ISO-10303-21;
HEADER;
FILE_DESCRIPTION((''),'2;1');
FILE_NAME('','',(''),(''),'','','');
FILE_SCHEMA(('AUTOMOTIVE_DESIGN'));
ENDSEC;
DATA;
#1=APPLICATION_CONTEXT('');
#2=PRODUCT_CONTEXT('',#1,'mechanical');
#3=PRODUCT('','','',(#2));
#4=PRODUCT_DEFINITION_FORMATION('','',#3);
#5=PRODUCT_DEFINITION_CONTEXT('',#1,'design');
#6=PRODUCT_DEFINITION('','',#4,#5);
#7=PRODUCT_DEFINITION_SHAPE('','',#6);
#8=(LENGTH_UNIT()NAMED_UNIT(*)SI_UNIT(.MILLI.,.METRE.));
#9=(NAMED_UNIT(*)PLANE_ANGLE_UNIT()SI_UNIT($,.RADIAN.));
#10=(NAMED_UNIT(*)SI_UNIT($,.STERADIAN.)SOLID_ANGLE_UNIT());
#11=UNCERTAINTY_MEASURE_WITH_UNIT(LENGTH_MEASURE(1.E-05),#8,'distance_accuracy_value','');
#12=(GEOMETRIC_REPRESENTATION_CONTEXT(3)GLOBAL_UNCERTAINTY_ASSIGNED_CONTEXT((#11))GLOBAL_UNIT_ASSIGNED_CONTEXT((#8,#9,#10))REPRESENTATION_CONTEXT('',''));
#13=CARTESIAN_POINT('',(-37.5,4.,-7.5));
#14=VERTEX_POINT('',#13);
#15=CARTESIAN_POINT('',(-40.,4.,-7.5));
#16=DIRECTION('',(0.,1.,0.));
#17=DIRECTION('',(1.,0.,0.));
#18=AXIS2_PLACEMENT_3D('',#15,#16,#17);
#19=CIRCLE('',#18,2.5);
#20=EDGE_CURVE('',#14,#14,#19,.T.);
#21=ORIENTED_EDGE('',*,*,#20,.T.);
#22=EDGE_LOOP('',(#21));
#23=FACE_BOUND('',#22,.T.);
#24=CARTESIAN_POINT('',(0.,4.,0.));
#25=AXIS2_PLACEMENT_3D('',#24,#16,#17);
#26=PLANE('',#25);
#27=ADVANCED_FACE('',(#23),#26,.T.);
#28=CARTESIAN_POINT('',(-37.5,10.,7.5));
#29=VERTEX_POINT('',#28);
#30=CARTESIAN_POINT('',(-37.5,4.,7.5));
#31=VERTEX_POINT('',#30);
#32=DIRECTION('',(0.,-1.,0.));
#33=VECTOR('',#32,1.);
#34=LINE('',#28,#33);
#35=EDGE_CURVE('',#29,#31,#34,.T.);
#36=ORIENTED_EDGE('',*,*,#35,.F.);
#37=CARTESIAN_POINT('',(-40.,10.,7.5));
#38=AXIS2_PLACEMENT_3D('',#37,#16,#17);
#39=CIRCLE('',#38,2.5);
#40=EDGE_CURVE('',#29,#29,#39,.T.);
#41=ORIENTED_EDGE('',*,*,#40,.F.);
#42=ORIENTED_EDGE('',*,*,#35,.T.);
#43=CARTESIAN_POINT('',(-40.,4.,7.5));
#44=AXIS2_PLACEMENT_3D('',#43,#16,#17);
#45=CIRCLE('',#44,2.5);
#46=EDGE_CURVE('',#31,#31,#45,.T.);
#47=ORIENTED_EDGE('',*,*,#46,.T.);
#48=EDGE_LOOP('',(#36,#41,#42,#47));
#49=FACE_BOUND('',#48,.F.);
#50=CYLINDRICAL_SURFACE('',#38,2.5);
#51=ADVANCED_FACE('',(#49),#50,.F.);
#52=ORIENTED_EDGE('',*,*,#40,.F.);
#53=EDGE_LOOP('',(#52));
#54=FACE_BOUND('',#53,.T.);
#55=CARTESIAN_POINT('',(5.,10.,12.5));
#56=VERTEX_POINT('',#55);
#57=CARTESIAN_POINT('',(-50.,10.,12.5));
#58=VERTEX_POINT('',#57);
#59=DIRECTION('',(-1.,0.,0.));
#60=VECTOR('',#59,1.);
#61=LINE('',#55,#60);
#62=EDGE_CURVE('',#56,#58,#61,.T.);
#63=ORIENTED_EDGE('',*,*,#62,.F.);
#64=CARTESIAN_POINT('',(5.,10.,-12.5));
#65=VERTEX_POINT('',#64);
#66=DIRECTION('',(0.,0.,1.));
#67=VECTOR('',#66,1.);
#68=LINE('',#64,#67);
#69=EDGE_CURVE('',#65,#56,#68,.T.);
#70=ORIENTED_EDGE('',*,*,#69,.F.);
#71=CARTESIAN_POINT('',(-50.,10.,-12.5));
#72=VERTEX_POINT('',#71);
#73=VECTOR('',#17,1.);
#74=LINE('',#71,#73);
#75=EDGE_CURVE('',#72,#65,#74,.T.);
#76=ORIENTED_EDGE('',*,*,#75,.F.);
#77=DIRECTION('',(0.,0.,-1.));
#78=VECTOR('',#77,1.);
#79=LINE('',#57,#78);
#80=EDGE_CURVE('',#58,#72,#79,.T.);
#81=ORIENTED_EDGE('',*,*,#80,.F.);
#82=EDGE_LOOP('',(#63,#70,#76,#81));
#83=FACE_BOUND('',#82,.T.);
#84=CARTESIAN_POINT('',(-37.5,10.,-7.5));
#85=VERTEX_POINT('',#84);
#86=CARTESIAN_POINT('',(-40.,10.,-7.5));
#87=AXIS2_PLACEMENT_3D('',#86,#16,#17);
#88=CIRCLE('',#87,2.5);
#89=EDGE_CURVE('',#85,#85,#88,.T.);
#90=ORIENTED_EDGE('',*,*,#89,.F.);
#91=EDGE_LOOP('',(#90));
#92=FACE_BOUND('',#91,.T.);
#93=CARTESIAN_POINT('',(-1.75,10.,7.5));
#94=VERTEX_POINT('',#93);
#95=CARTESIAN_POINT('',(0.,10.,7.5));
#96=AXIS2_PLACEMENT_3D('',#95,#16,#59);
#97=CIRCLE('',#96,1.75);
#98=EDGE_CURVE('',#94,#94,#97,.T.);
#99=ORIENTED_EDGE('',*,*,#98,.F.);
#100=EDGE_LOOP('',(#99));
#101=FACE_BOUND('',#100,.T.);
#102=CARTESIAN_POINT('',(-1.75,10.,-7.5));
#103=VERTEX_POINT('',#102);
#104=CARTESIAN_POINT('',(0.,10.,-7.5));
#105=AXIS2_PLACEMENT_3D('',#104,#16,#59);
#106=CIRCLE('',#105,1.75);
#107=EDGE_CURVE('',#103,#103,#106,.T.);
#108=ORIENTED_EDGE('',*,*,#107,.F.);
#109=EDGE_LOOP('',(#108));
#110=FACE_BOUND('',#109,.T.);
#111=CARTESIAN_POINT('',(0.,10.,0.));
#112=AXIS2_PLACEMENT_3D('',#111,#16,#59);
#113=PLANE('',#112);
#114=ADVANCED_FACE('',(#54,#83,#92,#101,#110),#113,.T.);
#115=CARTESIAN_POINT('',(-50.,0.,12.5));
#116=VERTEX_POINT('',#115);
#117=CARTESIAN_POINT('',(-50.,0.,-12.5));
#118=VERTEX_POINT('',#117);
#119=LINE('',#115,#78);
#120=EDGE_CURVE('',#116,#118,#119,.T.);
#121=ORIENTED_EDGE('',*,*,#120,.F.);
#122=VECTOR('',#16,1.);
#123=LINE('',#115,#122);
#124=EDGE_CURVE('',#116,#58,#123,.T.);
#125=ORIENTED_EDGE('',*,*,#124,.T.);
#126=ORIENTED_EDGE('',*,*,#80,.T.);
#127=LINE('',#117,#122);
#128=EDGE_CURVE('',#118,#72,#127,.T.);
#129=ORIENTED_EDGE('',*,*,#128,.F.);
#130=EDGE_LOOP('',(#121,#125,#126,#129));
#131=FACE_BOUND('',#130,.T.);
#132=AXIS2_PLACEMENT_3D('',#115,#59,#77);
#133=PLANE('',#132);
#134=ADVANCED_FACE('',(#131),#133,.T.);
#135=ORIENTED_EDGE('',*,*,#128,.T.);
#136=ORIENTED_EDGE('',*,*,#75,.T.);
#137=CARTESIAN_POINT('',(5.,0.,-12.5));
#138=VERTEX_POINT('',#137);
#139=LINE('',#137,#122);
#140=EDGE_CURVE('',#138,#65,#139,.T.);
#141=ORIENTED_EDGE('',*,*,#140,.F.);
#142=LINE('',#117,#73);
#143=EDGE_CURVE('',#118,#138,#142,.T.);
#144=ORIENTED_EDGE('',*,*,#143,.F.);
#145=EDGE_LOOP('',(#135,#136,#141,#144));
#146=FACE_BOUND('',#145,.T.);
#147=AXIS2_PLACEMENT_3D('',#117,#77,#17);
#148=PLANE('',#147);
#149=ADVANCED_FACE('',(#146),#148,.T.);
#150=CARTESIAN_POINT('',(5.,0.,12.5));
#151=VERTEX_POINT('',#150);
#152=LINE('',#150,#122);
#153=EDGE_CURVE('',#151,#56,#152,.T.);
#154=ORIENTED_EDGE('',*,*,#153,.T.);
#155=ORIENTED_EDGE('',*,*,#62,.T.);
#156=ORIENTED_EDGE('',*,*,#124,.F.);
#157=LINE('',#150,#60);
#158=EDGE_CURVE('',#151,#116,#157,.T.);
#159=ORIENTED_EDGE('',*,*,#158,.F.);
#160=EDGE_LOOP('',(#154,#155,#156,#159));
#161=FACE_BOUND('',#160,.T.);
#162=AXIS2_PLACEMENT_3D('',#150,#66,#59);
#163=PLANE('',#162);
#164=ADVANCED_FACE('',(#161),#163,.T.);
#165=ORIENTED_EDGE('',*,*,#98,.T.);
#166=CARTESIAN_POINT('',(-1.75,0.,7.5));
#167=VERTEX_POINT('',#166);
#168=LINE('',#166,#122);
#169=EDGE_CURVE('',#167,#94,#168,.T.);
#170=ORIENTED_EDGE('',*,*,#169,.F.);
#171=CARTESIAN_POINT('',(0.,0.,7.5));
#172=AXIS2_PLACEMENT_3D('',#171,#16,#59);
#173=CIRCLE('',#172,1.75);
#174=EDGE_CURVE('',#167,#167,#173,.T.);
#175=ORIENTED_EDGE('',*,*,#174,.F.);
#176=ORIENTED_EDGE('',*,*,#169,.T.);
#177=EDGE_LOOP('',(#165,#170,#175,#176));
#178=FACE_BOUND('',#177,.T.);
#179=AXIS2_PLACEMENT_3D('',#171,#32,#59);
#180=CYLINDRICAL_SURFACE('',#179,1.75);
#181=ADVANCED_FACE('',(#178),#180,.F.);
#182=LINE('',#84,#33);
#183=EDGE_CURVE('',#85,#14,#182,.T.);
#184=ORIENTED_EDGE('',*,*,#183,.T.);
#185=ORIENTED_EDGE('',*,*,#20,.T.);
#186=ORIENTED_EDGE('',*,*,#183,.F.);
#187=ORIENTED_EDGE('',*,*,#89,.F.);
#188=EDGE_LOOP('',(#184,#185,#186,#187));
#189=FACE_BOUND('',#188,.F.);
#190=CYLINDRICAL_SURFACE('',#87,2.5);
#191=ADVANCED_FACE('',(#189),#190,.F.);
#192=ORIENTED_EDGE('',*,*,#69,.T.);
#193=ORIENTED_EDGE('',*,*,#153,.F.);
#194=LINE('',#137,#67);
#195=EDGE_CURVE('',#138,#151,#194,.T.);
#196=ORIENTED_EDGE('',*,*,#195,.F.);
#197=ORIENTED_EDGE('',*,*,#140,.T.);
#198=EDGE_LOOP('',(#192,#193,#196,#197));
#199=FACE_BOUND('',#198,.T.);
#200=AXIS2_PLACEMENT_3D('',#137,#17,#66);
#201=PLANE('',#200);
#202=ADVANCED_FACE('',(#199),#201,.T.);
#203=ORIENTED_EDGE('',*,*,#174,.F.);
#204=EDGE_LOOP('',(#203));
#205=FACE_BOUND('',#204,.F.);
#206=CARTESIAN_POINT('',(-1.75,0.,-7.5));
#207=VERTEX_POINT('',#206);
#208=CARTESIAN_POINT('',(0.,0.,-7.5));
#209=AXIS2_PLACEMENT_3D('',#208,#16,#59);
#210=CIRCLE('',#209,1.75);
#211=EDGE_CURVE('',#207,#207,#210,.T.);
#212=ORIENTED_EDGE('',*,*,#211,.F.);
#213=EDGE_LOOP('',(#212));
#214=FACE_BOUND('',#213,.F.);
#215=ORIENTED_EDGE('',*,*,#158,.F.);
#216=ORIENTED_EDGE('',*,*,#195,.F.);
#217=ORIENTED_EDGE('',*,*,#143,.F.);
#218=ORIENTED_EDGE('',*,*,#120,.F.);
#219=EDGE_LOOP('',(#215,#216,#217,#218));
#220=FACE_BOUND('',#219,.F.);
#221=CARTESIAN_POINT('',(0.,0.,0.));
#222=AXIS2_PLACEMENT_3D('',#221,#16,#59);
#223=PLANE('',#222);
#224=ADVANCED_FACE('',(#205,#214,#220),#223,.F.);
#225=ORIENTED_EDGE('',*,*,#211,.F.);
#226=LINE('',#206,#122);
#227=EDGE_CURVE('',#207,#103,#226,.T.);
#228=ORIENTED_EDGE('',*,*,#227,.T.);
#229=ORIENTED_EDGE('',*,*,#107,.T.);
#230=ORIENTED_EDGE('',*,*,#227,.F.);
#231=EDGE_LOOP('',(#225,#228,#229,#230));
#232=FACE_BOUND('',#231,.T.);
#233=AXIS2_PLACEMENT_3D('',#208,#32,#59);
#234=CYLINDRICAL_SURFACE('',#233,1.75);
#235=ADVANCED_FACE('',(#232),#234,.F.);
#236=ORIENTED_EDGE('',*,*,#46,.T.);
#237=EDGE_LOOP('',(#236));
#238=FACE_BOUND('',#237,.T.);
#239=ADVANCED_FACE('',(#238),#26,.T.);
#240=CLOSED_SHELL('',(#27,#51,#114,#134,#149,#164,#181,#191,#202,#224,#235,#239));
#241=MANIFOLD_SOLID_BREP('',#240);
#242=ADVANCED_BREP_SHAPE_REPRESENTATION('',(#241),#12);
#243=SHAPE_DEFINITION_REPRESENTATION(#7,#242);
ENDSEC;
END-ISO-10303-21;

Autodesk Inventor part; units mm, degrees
ref_plane "YZ Plane" through (0, 0, 0) normal (1, 0, 0) x (0, 1, 0)
ref_plane "XZ Plane" through (0, 0, 0) normal (0, 1, 0) x (-1, 0, 0)
ref_plane "XY Plane" through (0, 0, 0) normal (0, 0, 1) x (1, 0, 0)
sketch "Sketch1" plane through (0, 0, 0) normal (0, 1, 0) x (-1, 0, 0)
  line L0 (50, -12.5) -> (-5, -12.5)
  line L1 (-5, -12.5) -> (-5, 12.5)
  line L2 (-5, 12.5) -> (50, 12.5)
  line L3 (50, 12.5) -> (50, -12.5)
  line L4 (50, 0) -> (-5, 0) construction
  line L5 (0, -12.5) -> (0, 12.5) construction
  circle A0 centre (0, -7.5) radius 1.75
  circle A1 centre (0, 7.5) radius 1.75
  line L6 (15, 12.5) -> (15, -12.5) construction
  point P0 (0, 0)
  point P1 (0, 0)
  dimension "d0" = 25
  dimension "d1" = 5
  dimension "d2" = 3.5
  dimension "d3" = 3.5
  dimension "d4" = 15
  dimension "d5" = 15
  dimension "d6" = 35
extrude "Extrusion1" add sketch "Sketch1" along normal blind 10
sketch "Sketch2" plane through (0, 10, 0) normal (0, 1, 0) x (1, 0, 0)
  line L0 (-50, -12.5) -> (5, -12.5) construction
  line L1 (-40, -12.5) -> (-40, 12.5) construction
  line L2 (5, 12.5) -> (-50, 12.5) construction
  circle A0 centre (-40, 7.5) radius 2.5
  circle A1 centre (-40, -7.5) radius 2.5
  line L3 (-50, 12.5) -> (-50, -12.5) construction
  line L4 (-50, 0) -> (5, 0) construction
  line L5 (5, -12.5) -> (5, 12.5) construction
  point P0 (0, 0)
  dimension "d9" = 10
  dimension "d10" = 5
  dimension "d11" = 5
  dimension "d12" = 15
extrude "Extrusion2" cut sketch "Sketch2" against normal blind 6
properties part number "x_axis_extensor"
